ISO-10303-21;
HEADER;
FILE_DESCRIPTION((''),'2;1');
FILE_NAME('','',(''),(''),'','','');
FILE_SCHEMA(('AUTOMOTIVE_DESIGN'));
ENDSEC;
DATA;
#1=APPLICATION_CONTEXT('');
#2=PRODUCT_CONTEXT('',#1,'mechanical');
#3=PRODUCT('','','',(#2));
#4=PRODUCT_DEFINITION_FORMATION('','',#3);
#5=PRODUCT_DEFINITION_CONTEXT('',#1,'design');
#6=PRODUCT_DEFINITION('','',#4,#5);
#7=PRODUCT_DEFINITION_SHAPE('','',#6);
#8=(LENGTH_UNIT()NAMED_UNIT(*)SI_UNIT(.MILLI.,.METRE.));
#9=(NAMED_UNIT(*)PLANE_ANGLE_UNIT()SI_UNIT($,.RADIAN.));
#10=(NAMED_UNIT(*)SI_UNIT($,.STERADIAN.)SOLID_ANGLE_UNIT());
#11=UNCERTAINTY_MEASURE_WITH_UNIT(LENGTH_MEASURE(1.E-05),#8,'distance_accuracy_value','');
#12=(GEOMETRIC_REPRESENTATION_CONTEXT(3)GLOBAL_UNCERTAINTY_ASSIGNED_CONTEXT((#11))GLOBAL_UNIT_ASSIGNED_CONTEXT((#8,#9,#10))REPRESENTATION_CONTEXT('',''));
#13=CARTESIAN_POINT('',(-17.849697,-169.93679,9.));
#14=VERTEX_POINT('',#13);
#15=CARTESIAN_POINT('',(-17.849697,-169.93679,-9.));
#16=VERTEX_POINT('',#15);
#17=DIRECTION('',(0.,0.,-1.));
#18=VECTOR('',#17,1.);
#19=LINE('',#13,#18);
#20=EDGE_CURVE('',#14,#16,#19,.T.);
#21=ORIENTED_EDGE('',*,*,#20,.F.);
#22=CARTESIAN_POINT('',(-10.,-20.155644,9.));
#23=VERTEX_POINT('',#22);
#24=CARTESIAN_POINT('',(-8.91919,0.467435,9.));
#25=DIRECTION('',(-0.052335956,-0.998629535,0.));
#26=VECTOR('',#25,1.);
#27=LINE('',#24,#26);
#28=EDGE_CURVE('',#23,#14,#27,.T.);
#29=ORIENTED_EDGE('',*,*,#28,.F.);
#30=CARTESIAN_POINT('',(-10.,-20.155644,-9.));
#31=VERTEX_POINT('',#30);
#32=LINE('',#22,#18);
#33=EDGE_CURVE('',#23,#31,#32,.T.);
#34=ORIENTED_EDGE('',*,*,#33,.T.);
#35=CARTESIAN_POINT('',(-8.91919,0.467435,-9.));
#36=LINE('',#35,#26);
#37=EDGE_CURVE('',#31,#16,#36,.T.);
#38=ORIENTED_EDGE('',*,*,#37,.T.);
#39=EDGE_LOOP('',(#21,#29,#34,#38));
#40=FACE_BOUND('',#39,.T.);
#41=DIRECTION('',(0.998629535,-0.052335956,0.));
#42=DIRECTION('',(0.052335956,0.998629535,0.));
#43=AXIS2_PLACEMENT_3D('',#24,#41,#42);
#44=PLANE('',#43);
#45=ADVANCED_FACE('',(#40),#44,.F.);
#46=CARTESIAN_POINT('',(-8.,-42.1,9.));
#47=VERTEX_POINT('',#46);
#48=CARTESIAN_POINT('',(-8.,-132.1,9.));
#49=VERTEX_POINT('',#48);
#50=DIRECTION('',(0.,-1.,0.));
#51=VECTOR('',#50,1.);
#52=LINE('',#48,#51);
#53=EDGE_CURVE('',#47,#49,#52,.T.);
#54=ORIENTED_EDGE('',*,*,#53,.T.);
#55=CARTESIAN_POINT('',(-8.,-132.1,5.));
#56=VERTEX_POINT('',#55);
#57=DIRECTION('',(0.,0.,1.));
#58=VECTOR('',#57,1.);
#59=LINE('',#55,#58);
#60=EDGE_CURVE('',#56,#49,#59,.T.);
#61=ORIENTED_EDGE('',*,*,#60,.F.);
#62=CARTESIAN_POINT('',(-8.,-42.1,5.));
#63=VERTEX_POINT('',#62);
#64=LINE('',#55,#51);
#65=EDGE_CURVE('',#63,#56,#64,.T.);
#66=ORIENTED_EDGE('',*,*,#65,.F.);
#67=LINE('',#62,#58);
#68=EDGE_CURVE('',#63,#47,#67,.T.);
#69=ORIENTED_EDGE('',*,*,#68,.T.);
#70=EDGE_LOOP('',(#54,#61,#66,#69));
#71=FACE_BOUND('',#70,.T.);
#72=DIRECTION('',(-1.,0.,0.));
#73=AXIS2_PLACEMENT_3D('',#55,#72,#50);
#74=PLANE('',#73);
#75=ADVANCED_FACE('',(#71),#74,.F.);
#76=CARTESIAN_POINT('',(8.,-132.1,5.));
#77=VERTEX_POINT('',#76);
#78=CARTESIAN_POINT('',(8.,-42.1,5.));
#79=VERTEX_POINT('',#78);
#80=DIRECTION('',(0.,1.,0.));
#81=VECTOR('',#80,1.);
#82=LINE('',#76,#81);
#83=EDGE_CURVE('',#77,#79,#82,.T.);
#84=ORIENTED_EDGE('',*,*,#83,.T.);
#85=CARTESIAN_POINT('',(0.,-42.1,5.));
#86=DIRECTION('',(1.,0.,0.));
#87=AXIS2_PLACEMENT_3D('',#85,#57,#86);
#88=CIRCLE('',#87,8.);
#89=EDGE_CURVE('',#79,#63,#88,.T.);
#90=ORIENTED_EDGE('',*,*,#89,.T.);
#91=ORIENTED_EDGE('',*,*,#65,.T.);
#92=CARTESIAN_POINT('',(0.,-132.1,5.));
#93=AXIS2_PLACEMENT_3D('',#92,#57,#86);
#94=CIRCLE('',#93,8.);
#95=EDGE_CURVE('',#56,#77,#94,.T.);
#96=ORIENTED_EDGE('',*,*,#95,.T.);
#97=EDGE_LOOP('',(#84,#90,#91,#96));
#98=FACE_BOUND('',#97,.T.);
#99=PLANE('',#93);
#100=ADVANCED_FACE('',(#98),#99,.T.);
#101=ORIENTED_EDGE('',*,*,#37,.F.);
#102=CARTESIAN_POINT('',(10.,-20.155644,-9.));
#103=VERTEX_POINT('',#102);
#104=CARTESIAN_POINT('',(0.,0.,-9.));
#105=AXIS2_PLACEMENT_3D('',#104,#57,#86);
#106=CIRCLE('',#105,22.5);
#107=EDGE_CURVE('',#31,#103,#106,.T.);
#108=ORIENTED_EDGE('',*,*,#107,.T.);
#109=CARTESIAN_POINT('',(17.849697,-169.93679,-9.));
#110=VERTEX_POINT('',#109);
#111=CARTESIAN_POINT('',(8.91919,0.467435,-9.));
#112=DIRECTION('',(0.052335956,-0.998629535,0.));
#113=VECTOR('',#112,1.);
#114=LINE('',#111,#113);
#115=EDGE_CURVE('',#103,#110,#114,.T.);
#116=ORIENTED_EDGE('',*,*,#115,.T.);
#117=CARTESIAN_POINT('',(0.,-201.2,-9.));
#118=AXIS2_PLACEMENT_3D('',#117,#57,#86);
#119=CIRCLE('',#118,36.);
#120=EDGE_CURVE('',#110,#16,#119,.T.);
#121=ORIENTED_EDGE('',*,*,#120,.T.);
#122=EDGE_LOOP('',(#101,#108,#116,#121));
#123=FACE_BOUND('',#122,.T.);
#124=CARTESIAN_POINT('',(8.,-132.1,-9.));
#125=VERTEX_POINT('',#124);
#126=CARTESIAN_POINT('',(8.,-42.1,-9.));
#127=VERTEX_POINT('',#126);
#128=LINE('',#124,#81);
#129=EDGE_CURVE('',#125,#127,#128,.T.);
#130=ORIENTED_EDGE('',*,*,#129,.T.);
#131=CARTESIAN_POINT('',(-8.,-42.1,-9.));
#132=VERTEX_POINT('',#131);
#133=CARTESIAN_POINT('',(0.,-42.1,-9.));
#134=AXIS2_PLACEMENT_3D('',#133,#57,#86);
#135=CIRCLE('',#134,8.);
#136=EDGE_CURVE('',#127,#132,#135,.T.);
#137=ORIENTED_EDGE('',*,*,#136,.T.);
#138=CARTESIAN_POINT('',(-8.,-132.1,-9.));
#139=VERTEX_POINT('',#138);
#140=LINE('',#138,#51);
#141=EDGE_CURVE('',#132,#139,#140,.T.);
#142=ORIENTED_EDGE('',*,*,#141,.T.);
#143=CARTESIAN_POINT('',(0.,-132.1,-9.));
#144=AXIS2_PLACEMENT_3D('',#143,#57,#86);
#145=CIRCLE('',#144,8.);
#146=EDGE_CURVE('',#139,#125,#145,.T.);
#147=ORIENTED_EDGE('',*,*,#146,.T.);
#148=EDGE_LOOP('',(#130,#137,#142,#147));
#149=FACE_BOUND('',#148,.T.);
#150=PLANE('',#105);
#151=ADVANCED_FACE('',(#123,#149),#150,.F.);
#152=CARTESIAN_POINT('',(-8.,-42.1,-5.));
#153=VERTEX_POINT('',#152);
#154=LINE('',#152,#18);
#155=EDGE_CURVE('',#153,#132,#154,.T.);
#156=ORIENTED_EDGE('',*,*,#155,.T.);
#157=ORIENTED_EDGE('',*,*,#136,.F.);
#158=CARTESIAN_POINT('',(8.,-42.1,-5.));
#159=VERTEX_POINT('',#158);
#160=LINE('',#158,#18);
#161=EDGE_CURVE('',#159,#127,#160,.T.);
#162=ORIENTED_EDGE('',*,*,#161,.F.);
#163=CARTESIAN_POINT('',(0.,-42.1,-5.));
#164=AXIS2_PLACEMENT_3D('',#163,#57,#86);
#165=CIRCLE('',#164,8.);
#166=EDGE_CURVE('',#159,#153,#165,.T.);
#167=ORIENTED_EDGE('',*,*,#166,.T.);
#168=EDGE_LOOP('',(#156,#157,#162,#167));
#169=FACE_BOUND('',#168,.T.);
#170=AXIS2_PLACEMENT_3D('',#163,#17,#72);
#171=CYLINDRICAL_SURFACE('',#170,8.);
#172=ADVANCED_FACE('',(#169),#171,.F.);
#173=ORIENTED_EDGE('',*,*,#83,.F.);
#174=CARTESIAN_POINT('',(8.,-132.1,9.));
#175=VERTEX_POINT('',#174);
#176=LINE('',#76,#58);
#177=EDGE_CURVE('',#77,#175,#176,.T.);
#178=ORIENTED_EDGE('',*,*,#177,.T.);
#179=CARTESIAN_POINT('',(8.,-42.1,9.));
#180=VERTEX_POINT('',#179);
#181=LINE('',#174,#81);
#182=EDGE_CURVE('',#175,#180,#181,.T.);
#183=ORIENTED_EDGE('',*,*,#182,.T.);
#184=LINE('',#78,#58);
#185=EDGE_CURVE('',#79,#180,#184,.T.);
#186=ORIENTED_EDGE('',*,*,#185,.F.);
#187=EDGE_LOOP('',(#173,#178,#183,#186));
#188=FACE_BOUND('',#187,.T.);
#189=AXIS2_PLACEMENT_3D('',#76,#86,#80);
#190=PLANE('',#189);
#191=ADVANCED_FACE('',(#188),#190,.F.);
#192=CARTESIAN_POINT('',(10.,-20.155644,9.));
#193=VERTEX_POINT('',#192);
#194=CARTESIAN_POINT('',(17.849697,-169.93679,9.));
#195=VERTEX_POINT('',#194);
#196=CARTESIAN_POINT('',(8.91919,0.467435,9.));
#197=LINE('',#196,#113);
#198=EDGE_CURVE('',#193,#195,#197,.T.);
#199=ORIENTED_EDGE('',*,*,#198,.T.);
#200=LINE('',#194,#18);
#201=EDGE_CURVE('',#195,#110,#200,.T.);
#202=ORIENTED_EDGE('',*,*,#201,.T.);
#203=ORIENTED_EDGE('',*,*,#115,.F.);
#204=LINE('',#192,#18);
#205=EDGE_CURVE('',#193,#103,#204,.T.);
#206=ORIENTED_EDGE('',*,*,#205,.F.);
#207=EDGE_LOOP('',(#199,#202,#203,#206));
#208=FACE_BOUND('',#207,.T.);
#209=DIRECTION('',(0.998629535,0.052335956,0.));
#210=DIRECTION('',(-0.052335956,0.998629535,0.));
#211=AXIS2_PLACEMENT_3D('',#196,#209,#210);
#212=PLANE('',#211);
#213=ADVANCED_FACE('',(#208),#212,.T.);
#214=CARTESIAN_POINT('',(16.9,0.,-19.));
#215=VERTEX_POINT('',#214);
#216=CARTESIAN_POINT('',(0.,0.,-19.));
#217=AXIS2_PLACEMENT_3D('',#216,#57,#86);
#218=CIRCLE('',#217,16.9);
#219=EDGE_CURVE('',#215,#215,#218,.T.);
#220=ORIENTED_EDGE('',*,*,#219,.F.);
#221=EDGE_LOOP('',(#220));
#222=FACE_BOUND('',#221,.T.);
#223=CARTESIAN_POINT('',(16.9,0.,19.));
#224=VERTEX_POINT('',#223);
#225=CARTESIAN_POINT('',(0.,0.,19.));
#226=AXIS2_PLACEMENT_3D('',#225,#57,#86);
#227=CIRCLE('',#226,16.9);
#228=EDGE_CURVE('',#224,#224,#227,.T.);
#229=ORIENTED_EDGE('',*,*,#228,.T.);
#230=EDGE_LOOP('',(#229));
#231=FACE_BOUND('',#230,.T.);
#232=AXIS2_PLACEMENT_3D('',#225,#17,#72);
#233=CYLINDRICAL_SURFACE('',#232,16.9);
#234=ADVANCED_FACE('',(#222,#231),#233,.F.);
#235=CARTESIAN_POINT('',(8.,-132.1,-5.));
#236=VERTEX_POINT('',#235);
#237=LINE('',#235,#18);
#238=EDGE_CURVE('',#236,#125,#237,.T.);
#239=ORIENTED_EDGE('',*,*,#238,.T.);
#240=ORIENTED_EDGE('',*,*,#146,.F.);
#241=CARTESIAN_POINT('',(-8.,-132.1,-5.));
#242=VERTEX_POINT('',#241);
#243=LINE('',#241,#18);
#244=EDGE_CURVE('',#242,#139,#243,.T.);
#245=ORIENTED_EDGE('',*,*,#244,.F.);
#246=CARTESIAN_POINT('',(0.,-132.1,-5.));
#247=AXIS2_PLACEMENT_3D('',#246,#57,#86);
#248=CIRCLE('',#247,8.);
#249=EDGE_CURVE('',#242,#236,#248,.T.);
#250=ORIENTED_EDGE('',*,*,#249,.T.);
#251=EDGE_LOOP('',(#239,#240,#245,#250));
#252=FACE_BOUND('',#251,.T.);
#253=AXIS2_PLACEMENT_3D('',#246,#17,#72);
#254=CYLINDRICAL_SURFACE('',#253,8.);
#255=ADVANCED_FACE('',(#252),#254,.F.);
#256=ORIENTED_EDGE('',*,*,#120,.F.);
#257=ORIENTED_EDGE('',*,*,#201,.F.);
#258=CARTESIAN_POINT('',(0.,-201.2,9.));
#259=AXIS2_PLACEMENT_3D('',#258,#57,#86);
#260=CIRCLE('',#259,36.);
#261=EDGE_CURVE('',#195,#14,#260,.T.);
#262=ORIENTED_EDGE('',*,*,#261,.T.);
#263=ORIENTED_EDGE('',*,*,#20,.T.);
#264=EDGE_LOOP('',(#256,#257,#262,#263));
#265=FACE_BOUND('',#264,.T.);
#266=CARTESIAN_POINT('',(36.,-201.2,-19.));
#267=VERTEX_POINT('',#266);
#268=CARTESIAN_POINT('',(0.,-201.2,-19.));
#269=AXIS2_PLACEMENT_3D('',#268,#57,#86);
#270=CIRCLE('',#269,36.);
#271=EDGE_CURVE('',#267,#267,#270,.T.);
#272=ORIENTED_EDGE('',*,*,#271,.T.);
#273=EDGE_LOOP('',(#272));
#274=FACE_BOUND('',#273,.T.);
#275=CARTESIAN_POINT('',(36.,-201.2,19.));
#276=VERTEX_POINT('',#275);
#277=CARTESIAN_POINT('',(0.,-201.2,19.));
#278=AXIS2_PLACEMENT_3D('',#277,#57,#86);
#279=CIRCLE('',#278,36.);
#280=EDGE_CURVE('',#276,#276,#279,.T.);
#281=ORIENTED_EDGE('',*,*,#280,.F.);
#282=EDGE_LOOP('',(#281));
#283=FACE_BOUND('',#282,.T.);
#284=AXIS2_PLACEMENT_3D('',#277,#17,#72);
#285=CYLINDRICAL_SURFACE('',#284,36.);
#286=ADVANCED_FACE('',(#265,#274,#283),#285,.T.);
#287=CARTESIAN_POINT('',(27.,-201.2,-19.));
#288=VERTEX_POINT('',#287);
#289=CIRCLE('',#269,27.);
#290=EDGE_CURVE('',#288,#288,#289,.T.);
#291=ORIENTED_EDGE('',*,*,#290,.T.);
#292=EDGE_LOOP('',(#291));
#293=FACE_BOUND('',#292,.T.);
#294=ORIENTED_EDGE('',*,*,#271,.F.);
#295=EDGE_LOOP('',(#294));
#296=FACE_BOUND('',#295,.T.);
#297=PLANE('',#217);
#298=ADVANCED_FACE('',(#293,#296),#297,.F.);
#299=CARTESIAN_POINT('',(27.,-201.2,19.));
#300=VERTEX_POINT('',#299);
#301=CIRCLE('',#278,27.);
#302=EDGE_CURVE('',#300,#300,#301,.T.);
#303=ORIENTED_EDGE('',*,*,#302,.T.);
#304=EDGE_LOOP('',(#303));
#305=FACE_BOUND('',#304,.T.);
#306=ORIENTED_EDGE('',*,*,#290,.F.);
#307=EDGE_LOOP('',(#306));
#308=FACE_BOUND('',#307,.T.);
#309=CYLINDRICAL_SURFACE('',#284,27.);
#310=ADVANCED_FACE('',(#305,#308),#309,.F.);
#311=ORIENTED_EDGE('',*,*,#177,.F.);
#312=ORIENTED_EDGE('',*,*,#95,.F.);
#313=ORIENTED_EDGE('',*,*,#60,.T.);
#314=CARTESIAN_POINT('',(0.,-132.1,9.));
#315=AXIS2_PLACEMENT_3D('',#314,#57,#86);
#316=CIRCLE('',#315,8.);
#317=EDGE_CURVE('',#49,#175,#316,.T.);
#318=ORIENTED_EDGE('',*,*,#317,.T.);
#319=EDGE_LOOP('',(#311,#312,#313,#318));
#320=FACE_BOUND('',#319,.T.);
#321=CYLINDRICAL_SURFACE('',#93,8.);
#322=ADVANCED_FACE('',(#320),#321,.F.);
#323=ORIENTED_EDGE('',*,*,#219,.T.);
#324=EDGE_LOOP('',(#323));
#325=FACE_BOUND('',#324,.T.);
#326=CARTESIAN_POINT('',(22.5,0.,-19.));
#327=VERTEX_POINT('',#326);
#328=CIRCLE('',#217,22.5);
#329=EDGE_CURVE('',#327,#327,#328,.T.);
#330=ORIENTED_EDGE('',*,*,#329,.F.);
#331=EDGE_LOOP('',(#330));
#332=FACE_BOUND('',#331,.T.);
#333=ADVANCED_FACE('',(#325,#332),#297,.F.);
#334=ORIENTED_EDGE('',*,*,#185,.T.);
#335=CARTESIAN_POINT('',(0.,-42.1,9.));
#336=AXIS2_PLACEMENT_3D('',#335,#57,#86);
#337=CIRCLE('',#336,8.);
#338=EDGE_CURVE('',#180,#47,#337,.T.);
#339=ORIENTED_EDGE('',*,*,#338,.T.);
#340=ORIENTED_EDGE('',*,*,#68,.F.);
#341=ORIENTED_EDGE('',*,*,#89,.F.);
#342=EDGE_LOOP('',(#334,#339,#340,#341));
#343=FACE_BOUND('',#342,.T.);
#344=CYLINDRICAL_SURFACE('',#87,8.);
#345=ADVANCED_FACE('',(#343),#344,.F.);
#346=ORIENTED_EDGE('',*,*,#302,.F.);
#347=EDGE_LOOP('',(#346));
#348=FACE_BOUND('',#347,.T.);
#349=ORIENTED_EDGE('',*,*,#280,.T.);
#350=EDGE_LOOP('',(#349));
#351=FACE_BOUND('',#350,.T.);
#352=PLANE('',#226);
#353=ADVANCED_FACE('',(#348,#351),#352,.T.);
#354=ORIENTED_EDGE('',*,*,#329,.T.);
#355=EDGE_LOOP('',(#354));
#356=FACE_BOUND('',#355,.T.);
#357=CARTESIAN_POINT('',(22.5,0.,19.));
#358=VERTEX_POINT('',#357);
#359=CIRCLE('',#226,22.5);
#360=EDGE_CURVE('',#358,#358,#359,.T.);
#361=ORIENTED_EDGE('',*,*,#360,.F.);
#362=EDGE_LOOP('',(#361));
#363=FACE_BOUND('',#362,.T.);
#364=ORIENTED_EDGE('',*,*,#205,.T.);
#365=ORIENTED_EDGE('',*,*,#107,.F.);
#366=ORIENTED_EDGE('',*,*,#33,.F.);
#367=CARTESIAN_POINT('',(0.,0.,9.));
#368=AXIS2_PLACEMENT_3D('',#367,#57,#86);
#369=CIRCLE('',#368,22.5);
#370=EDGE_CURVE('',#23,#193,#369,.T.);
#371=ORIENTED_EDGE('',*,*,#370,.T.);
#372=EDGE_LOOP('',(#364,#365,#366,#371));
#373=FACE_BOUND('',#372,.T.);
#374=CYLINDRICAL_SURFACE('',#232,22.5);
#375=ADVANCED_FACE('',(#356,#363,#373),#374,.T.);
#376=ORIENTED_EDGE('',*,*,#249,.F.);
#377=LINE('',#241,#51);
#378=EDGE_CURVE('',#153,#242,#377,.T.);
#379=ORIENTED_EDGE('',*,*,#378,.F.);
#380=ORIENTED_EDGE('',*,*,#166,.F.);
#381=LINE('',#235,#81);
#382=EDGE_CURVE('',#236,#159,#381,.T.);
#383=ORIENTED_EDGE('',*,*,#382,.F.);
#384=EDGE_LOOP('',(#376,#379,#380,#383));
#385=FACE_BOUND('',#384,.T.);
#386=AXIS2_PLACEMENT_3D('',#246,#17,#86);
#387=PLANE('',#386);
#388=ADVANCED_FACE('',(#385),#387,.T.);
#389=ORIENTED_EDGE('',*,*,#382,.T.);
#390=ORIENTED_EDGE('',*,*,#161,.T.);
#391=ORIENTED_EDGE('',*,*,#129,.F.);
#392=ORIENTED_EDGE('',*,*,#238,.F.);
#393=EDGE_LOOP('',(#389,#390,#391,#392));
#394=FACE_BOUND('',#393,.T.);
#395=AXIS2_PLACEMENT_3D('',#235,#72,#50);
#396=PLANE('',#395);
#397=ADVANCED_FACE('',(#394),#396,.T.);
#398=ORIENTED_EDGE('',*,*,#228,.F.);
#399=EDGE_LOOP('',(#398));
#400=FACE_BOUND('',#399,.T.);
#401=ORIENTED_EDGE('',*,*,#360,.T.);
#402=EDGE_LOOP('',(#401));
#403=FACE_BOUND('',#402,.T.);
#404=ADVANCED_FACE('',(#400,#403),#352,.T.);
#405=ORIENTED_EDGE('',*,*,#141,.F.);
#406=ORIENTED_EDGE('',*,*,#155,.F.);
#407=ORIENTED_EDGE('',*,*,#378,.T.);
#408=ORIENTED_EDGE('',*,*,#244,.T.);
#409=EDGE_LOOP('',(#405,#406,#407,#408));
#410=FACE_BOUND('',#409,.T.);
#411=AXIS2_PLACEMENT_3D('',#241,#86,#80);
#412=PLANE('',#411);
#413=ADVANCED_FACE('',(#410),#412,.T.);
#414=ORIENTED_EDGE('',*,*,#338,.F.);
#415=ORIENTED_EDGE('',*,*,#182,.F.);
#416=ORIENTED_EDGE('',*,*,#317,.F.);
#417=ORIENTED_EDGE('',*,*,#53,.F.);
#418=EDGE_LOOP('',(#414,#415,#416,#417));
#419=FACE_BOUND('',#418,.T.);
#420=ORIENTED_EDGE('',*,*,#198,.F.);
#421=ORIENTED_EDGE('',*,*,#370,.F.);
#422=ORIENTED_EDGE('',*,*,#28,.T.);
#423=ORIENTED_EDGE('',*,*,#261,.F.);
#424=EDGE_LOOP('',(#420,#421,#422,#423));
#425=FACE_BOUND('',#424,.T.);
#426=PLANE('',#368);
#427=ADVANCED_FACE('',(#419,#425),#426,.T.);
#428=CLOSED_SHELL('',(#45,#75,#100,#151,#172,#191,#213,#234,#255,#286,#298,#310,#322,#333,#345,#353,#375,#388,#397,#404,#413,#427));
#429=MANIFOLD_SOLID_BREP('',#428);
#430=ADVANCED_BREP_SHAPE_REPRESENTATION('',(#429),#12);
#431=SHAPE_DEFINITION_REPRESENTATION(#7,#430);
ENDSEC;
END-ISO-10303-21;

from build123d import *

# Parameters (mm, degrees)
SKETCH1_R             = 22.5
SKETCH1_R_2           = 16.9
BOSS_EXTRUDE1_DEPTH   = 19
SKETCH1_R_3           = 36
SKETCH1_R_4           = 27
BOSS_EXTRUDE1_2_DEPTH = 19
BOSS_EXTRUDE2_DEPTH   = 9
CUT_EXTRUDE1_DEPTH    = 4


with BuildPart() as part:
    # Sketch1 → Boss-Extrude1 (new, symmetric)
    with BuildSketch(Plane.XY):
        Circle(SKETCH1_R)
        Circle(SKETCH1_R_2, mode=Mode.SUBTRACT)
    extrude(amount=BOSS_EXTRUDE1_DEPTH, both=True)



with BuildPart() as body_2:
    # Sketch1 → Boss-Extrude1 2 (new, symmetric)
    with BuildSketch(Plane.XY):
        with Locations((0, -201.2)):
            Circle(SKETCH1_R_3)
        with Locations((0, -201.2)):
            Circle(SKETCH1_R_4, mode=Mode.SUBTRACT)
    extrude(amount=BOSS_EXTRUDE1_2_DEPTH, both=True)


with BuildPart() as part_1:
    add(part.part)

    add(body_2.part)  # Boss-Extrude2 merges body 2
    # Sketch1<3> → Boss-Extrude2 (add, symmetric)
    with BuildSketch(Plane.XY):
        with BuildLine():
            ThreePointArc((10, -20.155644371), (0, -22.5), (-10, -20.155644371))
            Line((-10, -20.155644371), (-17.849697213, -169.936789841))
            ThreePointArc((-17.849697213, -169.936789841), (0, -165.2), (17.849697213, -169.936789841))
            Line((17.849697213, -169.936789841), (10, -20.155644371))
        make_face()
    extrude(amount=BOSS_EXTRUDE2_DEPTH, both=True)

    # Sketch2 → Cut-Extrude1 (cut)
    with BuildSketch(Plane.XY.offset(9)):
        with BuildLine():
            Line((-8, -132.1), (-8, -42.1))
            ThreePointArc((-8, -42.1), (0, -34.1), (8, -42.1))
            Line((8, -42.1), (8, -132.1))
            ThreePointArc((8, -132.1), (0, -140.1), (-8, -132.1))
        make_face()
    cut_extrude1 = extrude(amount=-CUT_EXTRUDE1_DEPTH, mode=Mode.SUBTRACT)

    # Mirror1: Cut-Extrude1 across plane
    add(cut_extrude1.mirror(Plane.XY), mode=Mode.SUBTRACT)


solid = part_1.part
